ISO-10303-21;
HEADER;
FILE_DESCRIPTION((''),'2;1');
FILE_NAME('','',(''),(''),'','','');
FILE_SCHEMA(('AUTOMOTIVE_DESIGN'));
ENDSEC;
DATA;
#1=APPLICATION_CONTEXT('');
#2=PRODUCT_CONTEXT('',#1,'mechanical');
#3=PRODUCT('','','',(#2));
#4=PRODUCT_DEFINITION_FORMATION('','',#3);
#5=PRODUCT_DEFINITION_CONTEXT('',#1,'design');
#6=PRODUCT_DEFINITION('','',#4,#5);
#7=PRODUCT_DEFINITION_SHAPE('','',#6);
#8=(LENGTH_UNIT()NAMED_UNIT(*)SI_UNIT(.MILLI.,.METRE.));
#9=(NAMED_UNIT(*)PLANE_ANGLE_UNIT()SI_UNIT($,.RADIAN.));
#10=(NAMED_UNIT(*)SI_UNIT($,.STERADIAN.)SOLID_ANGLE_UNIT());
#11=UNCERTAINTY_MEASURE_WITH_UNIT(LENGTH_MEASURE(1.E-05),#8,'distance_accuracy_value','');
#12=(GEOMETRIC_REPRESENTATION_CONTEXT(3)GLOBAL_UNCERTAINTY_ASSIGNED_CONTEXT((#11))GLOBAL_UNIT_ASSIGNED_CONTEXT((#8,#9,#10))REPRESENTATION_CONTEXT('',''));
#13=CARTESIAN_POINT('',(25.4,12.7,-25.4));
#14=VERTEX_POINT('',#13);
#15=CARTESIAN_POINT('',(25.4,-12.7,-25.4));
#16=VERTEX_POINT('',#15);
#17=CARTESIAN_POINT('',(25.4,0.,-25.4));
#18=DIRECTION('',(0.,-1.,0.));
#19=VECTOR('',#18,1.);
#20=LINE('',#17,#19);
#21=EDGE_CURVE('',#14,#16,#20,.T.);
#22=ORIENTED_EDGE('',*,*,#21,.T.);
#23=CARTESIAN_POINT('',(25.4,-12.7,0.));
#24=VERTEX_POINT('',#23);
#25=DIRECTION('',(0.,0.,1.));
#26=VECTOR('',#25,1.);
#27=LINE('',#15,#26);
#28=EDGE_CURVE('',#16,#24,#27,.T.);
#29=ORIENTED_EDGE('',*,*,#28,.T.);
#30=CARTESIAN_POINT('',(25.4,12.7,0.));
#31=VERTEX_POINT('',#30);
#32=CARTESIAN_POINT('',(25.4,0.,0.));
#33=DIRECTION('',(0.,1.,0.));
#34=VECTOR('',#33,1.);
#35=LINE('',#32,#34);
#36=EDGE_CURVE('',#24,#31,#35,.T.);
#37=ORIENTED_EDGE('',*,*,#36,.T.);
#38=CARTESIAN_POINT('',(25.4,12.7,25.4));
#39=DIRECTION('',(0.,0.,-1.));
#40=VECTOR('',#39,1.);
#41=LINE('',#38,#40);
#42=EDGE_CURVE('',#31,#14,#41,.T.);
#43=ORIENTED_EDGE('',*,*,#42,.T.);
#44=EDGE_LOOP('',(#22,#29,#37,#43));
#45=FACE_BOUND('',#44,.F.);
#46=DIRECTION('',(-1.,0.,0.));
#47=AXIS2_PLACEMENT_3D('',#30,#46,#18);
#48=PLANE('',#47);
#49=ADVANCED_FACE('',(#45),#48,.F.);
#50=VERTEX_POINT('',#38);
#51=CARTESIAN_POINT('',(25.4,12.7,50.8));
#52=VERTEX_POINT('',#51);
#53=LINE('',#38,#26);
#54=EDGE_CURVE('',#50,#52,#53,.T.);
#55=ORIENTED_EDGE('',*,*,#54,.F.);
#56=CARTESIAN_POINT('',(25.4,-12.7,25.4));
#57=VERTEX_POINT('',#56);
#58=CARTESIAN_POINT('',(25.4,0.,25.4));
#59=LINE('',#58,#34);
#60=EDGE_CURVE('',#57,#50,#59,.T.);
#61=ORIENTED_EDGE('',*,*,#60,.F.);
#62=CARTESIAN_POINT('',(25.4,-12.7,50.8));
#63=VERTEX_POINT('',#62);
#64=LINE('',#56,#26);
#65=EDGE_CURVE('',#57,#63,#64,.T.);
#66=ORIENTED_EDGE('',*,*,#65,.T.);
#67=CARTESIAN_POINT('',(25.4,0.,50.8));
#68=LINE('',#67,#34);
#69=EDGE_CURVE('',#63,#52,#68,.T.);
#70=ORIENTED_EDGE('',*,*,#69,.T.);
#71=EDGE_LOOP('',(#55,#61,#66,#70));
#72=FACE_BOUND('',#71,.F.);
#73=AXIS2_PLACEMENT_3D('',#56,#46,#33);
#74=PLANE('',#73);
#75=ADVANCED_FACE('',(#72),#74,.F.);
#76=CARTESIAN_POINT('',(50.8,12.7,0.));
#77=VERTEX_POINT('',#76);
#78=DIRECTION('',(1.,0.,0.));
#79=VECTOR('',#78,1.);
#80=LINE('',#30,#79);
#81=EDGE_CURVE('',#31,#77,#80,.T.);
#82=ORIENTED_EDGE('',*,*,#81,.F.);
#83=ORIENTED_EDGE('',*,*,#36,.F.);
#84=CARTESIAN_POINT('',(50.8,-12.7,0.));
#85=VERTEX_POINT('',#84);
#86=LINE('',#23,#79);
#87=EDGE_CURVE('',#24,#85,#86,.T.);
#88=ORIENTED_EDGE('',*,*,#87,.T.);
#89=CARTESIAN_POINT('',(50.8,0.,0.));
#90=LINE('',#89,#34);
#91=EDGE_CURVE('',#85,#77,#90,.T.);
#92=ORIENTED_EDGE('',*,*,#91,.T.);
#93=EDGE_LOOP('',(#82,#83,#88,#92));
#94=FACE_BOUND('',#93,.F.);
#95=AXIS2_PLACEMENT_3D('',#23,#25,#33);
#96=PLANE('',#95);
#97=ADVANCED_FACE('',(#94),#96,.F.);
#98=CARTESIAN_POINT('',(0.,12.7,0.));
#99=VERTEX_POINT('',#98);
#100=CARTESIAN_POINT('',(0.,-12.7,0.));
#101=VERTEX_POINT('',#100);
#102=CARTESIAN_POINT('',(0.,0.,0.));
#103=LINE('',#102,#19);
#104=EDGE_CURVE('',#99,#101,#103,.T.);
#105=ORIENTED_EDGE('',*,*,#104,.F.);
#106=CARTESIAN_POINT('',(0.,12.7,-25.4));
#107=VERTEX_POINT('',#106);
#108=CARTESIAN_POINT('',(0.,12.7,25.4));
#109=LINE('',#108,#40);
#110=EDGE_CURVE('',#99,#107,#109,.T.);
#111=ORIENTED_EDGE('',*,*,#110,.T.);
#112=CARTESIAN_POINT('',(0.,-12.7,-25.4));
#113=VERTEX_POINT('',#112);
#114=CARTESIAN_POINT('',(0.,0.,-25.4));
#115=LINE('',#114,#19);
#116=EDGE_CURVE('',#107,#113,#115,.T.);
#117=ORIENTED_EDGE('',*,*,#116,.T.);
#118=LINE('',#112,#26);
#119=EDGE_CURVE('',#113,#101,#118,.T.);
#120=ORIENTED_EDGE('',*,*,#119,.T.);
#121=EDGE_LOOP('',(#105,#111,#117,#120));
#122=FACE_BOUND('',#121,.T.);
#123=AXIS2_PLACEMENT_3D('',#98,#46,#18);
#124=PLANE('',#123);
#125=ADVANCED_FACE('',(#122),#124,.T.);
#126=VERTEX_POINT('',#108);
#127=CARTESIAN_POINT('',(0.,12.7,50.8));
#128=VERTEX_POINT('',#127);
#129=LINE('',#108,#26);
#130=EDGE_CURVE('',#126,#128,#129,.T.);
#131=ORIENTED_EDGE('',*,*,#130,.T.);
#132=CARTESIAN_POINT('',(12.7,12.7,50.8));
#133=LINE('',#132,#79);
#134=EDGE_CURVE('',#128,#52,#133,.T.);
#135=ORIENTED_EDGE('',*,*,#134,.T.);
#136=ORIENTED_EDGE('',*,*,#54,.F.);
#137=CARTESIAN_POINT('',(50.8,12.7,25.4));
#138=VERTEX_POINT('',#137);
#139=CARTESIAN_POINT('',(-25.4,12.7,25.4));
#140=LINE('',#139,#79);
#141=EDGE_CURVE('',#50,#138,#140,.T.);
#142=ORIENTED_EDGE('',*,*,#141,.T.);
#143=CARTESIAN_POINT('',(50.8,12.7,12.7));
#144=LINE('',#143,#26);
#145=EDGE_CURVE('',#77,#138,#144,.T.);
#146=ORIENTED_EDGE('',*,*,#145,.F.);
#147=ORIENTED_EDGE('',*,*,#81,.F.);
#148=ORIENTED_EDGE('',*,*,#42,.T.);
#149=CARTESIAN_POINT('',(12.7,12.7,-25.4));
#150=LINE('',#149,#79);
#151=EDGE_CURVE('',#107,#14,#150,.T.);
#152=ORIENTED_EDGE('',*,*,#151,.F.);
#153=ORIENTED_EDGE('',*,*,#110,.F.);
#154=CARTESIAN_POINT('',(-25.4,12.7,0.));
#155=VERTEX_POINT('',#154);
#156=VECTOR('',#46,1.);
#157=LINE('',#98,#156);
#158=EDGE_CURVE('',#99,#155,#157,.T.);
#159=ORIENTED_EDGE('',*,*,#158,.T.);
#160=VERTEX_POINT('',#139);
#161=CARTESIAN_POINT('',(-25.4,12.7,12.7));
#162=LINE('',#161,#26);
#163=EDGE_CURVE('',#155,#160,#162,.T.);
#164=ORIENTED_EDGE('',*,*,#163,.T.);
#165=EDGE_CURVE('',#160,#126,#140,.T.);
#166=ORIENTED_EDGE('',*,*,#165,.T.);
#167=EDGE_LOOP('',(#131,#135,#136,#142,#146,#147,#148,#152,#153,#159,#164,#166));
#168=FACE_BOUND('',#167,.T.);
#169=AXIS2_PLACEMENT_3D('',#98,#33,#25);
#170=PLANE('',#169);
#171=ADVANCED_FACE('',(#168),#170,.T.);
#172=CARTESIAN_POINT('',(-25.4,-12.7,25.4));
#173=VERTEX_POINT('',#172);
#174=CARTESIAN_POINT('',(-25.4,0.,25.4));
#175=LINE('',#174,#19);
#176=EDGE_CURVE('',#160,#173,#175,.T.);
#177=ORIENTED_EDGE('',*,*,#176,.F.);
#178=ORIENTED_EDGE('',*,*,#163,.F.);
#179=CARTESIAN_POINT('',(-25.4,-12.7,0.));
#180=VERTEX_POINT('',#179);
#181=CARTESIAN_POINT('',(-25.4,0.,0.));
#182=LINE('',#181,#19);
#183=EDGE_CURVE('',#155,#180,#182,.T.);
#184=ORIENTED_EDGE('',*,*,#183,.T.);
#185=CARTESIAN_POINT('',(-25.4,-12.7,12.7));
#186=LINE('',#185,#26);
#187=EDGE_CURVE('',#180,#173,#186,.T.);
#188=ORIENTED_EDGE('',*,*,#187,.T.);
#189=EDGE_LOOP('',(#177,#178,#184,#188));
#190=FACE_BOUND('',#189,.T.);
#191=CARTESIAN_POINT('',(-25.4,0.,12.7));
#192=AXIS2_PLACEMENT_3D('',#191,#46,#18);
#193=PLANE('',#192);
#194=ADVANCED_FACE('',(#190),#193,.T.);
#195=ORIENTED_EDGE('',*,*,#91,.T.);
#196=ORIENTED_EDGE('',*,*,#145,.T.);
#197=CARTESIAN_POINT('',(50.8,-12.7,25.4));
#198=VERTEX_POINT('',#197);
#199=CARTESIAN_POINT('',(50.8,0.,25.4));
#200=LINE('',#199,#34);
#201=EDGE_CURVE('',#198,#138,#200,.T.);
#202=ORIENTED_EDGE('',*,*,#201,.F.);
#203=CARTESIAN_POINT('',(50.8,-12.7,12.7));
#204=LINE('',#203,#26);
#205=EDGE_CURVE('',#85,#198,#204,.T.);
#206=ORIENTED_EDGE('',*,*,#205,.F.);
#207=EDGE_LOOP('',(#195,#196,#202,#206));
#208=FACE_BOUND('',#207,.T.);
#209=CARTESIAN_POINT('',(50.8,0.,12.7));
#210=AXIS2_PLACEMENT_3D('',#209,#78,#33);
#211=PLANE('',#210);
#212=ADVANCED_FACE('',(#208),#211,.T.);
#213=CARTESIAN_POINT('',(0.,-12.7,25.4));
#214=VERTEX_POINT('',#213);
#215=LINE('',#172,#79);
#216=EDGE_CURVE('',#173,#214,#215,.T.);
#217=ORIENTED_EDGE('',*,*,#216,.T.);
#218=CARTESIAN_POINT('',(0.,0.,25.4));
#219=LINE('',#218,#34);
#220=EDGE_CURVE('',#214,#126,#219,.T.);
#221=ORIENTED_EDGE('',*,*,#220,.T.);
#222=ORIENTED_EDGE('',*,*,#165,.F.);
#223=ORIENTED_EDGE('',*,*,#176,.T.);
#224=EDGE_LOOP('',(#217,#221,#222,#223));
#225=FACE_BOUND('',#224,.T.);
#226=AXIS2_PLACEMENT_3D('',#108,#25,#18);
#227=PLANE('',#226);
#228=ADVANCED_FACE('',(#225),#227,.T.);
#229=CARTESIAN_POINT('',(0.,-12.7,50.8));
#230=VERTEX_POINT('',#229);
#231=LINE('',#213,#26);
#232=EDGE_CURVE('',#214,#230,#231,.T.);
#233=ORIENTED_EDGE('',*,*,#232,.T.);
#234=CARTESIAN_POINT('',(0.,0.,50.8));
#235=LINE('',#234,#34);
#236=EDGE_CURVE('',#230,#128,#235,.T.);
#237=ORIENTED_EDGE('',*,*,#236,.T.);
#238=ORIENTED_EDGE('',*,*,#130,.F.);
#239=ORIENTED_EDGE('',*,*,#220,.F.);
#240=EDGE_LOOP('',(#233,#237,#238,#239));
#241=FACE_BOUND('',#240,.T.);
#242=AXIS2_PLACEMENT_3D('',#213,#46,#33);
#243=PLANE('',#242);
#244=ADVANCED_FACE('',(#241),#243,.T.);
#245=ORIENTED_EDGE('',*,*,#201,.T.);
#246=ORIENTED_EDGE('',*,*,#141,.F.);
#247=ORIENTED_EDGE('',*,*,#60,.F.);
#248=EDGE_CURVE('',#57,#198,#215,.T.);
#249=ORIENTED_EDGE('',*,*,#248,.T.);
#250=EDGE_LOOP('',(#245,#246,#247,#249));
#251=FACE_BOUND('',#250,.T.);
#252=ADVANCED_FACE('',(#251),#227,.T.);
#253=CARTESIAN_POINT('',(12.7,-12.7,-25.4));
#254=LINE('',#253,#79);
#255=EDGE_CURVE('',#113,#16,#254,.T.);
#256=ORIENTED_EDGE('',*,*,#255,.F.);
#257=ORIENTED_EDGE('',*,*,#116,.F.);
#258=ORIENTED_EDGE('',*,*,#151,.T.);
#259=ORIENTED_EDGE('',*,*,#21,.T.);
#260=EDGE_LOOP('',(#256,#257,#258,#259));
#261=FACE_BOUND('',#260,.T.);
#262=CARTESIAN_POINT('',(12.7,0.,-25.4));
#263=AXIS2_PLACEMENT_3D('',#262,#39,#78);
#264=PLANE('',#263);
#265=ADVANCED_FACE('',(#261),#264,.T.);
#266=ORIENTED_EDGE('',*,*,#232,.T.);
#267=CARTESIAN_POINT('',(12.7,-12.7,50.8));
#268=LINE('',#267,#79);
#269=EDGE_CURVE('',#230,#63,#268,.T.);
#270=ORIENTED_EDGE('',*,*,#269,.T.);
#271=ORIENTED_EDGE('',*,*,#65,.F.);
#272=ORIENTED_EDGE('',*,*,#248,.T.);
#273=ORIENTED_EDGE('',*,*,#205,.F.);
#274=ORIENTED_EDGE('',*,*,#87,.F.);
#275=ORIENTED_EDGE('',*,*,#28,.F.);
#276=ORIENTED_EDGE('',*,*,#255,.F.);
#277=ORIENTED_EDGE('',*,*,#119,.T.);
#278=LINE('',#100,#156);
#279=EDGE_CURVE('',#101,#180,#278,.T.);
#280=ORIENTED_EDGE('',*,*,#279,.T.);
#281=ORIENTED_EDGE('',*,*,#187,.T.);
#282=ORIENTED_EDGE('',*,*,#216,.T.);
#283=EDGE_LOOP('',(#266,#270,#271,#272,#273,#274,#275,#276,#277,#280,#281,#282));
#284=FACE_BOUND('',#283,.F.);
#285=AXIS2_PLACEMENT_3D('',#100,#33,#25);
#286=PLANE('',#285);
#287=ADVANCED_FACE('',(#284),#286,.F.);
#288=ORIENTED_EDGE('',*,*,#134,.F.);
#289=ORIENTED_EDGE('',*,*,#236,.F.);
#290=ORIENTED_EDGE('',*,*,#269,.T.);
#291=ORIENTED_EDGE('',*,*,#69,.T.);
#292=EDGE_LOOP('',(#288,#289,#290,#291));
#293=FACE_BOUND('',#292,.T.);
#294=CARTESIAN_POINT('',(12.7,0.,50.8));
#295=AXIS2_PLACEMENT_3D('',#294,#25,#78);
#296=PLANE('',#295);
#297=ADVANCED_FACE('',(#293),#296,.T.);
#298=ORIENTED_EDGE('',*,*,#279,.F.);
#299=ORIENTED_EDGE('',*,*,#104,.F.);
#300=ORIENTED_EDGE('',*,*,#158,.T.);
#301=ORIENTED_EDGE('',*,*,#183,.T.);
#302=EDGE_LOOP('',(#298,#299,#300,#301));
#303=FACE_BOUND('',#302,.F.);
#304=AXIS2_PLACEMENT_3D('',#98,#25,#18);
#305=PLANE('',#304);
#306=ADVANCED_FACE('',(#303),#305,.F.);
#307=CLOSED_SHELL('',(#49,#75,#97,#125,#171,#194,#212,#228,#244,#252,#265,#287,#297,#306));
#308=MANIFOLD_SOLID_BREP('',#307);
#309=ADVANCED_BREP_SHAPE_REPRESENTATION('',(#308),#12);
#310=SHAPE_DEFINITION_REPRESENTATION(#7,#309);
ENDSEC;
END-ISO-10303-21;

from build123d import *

# Parameters (mm, degrees)
F0_W     = 25.4
F0_H     = 25.4
F1_DEPTH = 12.7
F2_W     = 25.4
F2_H     = 25.4
F3_DEPTH = 25.4
F4_W     = 25.4
F4_H     = 25.4
F5_DEPTH = 25.4
F6_W     = 25.4
F6_H     = 25.4
F7_DEPTH = 25.4
F8_W     = 25.4
F8_H     = 25.4
F9_DEPTH = 25.4


with BuildPart() as f1:
    # F0 (on Front) → F1 (new body, symmetric)
    with BuildSketch(Plane.XZ):
        with Locations((12.7, 12.7)):
            Rectangle(F0_W, F0_H)
    extrude(amount=F1_DEPTH, both=True)

    # F2 (on face) → F3 (join)
    with BuildSketch(Plane(origin=(0, 0, 0), x_dir=(1, 0, 0), z_dir=(0, 0, -1))):
        with Locations((12.7, 0)):
            Rectangle(F2_W, F2_H)
    extrude(amount=F3_DEPTH)

    # F4 (on face) → F5 (join)
    with BuildSketch(Plane.YZ.offset(25.4)):
        with Locations((0, 12.7)):
            Rectangle(F4_W, F4_H)
    extrude(amount=F5_DEPTH)

    # F6 (on face) → F7 (join)
    with BuildSketch(Plane(origin=(0, 0, 0), x_dir=(0, -1, 0), z_dir=(-1, 0, 0))):
        with Locations((0, 12.7)):
            Rectangle(F6_W, F6_H)
    extrude(amount=F7_DEPTH)

    # F8 (on face) → F9 (join)
    with BuildSketch(Plane.XY.offset(25.4)):
        with Locations((12.7, 0)):
            Rectangle(F8_W, F8_H)
    extrude(amount=F9_DEPTH)


solid = f1.part
